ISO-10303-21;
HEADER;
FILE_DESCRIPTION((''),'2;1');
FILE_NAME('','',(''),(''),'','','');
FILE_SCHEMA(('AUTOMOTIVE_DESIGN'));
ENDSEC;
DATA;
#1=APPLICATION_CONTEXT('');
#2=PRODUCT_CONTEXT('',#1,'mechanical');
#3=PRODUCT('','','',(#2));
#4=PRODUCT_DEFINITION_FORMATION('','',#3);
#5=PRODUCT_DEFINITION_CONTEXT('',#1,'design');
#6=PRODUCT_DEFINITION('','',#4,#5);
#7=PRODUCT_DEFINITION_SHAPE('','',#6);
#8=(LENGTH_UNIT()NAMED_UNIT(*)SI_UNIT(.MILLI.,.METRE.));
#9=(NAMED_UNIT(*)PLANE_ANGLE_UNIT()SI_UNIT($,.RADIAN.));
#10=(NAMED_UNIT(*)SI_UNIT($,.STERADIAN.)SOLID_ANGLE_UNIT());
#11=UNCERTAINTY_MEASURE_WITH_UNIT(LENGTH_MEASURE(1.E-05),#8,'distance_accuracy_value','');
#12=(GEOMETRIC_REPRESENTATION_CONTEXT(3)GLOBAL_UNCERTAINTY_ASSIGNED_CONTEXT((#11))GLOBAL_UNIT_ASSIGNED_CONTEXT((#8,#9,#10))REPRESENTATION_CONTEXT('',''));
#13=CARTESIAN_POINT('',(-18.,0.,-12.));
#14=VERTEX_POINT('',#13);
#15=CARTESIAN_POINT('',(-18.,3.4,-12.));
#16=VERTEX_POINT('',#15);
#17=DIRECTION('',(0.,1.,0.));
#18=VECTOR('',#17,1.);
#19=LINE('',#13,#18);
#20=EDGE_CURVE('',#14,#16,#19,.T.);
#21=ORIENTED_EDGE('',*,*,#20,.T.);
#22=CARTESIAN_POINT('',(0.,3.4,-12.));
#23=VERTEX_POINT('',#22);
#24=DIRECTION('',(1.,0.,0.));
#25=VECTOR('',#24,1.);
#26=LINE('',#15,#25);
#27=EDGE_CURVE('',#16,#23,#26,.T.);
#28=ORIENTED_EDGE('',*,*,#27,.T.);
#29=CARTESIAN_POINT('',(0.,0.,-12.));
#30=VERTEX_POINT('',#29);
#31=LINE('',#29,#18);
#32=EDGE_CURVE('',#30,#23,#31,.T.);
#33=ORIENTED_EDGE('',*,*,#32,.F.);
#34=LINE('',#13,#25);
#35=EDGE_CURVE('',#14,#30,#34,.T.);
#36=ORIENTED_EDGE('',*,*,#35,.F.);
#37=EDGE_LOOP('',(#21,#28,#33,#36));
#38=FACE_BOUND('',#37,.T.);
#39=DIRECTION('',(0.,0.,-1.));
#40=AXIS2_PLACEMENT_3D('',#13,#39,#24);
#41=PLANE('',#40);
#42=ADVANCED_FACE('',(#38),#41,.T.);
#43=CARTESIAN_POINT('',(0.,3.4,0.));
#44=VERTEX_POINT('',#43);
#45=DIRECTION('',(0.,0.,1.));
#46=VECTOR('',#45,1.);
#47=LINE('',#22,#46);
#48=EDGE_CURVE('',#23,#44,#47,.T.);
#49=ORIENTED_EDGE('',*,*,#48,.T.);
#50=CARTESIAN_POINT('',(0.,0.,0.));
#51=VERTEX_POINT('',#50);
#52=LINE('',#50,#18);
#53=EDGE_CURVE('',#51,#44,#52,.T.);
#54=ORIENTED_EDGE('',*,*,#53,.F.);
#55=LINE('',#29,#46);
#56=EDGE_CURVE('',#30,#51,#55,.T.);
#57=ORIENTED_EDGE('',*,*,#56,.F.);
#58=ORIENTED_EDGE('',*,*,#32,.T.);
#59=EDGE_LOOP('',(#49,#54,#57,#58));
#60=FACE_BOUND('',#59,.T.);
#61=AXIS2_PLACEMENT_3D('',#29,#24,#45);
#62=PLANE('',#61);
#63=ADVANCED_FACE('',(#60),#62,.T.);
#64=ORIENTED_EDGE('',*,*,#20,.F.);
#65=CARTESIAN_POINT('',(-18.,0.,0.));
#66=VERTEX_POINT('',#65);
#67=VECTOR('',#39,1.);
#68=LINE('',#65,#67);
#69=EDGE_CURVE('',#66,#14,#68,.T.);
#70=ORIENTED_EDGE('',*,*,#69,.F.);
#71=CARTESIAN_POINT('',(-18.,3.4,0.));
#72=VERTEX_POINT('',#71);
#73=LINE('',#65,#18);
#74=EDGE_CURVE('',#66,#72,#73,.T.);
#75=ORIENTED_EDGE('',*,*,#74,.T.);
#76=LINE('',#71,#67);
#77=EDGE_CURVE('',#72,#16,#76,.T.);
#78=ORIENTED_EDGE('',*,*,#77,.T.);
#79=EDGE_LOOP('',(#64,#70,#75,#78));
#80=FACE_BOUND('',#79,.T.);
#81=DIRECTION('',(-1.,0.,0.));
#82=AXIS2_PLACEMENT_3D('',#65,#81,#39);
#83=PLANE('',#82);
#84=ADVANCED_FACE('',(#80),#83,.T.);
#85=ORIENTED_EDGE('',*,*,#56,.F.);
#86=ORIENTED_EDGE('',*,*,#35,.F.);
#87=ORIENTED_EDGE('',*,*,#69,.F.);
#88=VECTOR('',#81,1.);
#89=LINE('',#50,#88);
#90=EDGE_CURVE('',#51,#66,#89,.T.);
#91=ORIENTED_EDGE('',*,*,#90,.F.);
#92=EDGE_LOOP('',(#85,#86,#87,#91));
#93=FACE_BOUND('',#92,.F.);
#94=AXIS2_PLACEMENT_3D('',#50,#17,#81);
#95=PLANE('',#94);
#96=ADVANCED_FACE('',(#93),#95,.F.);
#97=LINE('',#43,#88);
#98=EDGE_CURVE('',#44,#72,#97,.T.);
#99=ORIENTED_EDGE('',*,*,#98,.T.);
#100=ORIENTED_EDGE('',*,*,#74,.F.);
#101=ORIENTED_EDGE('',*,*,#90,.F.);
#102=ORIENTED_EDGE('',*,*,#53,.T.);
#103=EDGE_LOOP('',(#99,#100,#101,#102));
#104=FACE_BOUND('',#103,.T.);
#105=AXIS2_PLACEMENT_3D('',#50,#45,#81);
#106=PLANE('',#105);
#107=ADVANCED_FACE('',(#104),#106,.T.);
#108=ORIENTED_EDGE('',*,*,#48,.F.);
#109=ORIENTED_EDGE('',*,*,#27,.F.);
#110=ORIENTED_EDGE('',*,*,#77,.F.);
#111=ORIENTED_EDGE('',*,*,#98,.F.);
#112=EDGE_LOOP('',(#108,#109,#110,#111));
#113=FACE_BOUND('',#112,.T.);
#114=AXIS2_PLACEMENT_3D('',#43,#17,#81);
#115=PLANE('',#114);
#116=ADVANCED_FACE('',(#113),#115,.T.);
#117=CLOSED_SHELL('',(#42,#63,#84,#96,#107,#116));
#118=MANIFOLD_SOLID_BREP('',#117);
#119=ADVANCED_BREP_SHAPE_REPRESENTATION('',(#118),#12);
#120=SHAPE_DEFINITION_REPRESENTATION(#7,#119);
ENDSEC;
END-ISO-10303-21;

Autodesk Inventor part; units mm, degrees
ref_plane "YZ Plane" through (0, 0, 0) normal (1, 0, 0) x (0, 1, 0)
ref_plane "XZ Plane" through (0, 0, 0) normal (0, 1, 0) x (-1, 0, 0)
ref_plane "XY Plane" through (0, 0, 0) normal (0, 0, 1) x (1, 0, 0)
sketch "Sketch1" plane through (0, 0, 0) normal (0, 1, 0) x (-1, 0, 0)
  line L0 (0, 0) -> (18, 0)
  line L1 (18, 0) -> (18, -12)
  line L2 (18, -12) -> (0, -12)
  line L3 (0, -12) -> (0, 0)
  dimension "d0" = 18
  dimension "d1" = 12
extrude "Extrusion1" add sketch "Sketch1" along normal blind 3.4
properties part number "shim_3.5mm"
